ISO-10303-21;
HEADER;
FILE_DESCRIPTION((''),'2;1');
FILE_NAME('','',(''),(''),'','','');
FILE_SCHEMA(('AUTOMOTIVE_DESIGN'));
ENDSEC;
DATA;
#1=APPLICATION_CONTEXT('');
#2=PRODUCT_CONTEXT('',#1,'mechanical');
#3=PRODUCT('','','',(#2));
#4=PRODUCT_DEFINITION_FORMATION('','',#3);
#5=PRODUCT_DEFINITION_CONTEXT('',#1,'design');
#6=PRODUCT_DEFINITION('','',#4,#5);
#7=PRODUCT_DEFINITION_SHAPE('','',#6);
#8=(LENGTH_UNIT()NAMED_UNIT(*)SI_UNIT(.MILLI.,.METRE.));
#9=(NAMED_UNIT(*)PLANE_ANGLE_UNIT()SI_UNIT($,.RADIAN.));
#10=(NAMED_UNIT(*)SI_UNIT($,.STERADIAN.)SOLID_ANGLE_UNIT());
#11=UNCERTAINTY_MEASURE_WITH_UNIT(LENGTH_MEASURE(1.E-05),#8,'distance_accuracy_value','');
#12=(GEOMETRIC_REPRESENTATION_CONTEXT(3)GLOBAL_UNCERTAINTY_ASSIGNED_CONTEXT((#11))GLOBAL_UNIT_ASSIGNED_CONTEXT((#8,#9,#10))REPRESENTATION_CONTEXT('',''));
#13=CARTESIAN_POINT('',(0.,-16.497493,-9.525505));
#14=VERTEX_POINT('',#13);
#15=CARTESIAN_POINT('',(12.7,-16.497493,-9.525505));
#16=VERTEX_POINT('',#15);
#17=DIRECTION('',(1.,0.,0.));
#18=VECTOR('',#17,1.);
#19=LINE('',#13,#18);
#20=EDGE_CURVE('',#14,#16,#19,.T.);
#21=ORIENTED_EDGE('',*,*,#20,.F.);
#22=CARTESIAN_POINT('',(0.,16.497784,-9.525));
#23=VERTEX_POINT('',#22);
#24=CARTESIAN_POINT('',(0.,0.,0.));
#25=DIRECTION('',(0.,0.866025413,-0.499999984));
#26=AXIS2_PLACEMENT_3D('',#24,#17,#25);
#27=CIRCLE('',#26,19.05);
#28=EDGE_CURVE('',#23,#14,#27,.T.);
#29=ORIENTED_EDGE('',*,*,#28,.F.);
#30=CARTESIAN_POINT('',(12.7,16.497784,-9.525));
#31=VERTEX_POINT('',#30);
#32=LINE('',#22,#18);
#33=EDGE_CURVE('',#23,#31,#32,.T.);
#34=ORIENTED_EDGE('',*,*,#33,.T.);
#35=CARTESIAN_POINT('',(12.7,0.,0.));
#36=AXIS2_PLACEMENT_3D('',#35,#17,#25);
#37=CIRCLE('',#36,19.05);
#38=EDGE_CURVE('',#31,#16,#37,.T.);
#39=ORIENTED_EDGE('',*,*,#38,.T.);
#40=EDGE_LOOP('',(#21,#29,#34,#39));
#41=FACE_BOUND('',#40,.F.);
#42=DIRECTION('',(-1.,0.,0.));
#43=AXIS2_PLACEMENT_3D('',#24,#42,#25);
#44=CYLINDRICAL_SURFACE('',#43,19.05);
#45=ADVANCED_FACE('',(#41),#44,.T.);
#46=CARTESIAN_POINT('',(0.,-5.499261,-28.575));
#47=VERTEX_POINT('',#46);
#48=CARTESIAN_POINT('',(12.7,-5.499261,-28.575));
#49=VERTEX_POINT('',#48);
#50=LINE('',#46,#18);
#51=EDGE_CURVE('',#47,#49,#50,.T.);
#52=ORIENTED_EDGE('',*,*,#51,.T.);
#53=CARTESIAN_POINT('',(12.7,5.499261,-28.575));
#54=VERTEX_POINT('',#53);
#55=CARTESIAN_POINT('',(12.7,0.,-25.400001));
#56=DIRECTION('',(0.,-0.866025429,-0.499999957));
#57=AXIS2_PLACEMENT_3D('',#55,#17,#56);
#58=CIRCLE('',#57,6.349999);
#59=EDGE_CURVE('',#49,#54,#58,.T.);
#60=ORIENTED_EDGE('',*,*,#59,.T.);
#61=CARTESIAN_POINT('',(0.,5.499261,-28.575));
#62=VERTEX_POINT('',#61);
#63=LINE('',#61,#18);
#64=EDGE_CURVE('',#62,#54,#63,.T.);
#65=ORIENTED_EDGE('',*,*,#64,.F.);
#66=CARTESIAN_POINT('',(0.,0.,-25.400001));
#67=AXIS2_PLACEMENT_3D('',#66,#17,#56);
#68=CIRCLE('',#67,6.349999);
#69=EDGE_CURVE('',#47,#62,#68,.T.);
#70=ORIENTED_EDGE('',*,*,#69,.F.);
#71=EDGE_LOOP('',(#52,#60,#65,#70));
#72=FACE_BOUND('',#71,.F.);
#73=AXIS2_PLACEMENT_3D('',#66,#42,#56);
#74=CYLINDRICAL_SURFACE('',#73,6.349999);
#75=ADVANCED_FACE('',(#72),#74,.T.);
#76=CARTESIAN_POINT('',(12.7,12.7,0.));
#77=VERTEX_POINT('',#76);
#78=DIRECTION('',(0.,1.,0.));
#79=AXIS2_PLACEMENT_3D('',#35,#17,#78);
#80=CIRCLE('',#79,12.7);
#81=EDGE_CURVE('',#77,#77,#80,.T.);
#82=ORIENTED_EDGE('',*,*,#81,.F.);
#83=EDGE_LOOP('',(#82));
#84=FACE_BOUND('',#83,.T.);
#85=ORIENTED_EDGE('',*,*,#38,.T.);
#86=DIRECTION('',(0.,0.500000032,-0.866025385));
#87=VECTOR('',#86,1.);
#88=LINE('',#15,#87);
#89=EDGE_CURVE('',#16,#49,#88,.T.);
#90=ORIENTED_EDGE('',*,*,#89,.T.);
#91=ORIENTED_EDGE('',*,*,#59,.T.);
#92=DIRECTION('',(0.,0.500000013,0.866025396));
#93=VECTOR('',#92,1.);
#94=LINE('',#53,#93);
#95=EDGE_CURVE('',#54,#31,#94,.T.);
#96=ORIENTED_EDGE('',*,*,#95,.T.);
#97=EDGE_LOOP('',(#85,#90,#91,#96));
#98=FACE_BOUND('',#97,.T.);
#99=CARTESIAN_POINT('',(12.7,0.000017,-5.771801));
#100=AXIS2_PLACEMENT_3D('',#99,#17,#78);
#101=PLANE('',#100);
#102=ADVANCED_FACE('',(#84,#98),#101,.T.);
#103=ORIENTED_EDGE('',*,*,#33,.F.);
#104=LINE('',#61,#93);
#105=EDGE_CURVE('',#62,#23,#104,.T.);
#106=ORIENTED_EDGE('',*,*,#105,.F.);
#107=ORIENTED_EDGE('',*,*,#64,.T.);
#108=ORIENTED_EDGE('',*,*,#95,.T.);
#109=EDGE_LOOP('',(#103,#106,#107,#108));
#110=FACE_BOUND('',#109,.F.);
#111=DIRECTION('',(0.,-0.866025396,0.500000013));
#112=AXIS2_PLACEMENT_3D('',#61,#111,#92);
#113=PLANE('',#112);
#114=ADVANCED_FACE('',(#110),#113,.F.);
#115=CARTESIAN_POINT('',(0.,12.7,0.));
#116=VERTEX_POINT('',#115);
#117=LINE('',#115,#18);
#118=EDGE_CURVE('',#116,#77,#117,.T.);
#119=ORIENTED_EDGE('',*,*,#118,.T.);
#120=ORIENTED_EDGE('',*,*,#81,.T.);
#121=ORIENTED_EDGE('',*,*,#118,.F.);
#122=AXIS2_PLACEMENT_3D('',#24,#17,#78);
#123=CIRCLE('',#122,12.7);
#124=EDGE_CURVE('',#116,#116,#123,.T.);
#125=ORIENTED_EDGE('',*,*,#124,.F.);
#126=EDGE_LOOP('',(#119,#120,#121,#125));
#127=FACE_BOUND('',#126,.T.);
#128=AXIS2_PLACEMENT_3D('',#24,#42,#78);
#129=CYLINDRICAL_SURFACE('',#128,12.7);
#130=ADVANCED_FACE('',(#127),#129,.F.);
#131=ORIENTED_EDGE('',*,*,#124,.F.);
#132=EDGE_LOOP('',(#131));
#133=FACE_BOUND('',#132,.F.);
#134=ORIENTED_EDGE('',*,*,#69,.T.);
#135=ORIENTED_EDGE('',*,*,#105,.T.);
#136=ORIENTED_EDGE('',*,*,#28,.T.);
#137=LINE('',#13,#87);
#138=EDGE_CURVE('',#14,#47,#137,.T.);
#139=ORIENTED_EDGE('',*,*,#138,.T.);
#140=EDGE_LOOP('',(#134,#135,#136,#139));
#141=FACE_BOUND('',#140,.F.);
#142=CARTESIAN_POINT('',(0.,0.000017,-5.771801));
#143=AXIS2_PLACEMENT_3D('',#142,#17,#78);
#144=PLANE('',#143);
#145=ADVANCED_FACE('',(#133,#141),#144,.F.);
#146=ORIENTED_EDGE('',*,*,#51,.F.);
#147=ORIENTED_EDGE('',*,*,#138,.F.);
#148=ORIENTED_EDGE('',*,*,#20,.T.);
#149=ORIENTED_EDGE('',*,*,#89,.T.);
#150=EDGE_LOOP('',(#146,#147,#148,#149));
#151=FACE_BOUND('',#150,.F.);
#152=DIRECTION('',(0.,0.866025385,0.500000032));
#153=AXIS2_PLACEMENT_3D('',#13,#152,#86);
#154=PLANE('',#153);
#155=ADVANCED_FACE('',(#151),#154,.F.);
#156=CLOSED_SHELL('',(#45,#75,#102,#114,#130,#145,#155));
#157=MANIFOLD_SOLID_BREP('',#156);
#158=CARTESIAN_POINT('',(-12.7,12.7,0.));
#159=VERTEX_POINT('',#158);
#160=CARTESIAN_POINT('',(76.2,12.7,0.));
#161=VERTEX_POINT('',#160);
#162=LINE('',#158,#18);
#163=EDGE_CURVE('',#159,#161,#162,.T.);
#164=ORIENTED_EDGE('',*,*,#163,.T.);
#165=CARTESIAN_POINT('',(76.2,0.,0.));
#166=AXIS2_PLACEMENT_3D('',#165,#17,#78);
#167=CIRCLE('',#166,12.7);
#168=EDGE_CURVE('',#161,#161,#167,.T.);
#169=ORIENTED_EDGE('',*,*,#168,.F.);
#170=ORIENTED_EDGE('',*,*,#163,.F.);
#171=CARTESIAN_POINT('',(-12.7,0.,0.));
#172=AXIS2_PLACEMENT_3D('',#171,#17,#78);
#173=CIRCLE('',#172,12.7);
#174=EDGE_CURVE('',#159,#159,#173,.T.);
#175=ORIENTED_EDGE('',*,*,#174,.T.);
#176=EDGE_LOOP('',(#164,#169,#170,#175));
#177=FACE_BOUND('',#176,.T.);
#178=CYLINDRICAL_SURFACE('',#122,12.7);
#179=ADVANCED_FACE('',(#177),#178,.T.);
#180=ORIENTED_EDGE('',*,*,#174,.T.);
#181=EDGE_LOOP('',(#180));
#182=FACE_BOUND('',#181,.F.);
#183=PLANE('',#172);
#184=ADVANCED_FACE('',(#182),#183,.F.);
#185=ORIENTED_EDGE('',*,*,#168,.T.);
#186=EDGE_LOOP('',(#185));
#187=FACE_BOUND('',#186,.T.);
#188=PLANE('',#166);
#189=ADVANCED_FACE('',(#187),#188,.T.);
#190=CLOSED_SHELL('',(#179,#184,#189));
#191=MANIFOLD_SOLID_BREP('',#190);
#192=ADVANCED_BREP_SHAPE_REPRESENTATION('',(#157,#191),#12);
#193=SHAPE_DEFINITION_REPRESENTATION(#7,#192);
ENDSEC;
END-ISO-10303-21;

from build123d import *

# Parameters (mm, degrees)
F0_R          = 12.7
F1_DEPTH      = 76.2
F1_DEPTH_BACK = 12.7
F2_DEPTH      = 12.7


with BuildPart() as f1:
    # F0 (on Right) → F1 (new body, two sides)
    with BuildSketch(Plane.YZ) as f1_sk:
        Circle(F0_R)
    extrude(amount=F1_DEPTH)
    extrude(f1_sk.sketch, amount=-F1_DEPTH_BACK)


with BuildPart() as f2:
    # F0 (on Right) → F2 (new body)
    with BuildSketch(Plane.YZ):
        with BuildLine():
            Line((5.499261, -28.575), (16.497784, -9.525))
            ThreePointArc((16.497784, -9.525), (-0.000291, 19.05), (-16.497493, -9.525505))
            Line((-16.497493, -9.525505), (-5.499261, -28.575))
            ThreePointArc((-5.499261, -28.575), (0, -31.75), (5.499261, -28.575))
        make_face()
        Circle(F0_R, mode=Mode.SUBTRACT)
    extrude(amount=F2_DEPTH)


solid = Compound([f1.part, f2.part])
